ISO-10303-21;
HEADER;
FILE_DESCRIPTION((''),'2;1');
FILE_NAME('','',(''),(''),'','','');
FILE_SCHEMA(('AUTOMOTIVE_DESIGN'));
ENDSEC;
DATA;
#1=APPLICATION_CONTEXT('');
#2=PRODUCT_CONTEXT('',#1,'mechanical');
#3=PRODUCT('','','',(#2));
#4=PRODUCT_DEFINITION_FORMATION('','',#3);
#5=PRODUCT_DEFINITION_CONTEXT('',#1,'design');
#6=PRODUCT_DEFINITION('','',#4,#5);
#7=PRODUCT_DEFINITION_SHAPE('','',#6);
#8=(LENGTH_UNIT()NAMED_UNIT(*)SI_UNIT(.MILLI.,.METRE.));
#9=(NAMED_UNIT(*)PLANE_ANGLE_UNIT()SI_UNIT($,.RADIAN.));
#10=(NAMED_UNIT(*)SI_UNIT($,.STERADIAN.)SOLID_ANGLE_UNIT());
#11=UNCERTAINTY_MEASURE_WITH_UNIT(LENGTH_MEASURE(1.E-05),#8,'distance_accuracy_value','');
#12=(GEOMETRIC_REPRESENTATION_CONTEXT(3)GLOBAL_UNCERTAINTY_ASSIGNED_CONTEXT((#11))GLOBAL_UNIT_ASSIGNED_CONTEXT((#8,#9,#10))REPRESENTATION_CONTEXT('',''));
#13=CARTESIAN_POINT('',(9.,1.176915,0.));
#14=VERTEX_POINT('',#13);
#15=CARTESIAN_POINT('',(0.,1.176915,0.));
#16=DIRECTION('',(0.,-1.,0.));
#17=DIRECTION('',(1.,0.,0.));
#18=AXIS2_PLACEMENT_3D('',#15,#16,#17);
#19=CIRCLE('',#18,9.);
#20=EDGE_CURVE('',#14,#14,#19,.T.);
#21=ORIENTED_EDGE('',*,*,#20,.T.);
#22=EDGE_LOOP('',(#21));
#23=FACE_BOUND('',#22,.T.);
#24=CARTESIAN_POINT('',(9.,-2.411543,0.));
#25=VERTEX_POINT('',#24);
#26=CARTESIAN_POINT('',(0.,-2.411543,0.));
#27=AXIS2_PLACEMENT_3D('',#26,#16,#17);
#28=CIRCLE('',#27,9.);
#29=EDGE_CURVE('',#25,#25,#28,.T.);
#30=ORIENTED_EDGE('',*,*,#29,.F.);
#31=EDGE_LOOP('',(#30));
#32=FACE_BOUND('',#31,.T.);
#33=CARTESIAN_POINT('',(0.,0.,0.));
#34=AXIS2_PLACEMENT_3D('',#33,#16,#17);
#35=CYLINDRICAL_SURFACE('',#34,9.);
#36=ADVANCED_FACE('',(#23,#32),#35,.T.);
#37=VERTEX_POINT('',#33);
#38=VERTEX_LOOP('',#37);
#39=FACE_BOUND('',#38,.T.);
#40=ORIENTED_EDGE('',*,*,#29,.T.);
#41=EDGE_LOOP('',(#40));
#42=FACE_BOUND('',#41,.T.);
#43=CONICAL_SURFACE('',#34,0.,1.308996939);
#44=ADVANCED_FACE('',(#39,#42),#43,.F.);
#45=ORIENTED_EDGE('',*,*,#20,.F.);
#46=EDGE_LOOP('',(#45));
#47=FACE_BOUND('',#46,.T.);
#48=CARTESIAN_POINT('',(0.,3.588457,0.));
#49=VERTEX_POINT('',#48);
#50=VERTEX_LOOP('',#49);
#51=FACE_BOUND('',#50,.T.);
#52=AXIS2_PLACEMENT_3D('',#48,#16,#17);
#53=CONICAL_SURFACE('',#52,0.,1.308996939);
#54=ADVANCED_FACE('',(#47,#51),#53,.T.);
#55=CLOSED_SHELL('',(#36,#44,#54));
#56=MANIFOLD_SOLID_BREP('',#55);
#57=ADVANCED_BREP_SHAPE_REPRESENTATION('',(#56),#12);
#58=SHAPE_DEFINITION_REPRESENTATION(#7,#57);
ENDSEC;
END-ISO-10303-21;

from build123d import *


with BuildPart() as part:
    # Эскиз1 → Повернуть1 (revolve)
    with BuildSketch(Plane.XY, mode=Mode.PRIVATE) as revolve_1_sk:
        Polygon((-9, -2.411542732), (-9, 1.176914536), (0, 3.588457268), (0, 0), align=None)
    revolve(revolve_1_sk.sketch.rotate(Axis((0, 0, 0), (0, 1, 0)), 180), axis=Axis((0, 0, 0), (0, 1, 0)))


solid = part.part
